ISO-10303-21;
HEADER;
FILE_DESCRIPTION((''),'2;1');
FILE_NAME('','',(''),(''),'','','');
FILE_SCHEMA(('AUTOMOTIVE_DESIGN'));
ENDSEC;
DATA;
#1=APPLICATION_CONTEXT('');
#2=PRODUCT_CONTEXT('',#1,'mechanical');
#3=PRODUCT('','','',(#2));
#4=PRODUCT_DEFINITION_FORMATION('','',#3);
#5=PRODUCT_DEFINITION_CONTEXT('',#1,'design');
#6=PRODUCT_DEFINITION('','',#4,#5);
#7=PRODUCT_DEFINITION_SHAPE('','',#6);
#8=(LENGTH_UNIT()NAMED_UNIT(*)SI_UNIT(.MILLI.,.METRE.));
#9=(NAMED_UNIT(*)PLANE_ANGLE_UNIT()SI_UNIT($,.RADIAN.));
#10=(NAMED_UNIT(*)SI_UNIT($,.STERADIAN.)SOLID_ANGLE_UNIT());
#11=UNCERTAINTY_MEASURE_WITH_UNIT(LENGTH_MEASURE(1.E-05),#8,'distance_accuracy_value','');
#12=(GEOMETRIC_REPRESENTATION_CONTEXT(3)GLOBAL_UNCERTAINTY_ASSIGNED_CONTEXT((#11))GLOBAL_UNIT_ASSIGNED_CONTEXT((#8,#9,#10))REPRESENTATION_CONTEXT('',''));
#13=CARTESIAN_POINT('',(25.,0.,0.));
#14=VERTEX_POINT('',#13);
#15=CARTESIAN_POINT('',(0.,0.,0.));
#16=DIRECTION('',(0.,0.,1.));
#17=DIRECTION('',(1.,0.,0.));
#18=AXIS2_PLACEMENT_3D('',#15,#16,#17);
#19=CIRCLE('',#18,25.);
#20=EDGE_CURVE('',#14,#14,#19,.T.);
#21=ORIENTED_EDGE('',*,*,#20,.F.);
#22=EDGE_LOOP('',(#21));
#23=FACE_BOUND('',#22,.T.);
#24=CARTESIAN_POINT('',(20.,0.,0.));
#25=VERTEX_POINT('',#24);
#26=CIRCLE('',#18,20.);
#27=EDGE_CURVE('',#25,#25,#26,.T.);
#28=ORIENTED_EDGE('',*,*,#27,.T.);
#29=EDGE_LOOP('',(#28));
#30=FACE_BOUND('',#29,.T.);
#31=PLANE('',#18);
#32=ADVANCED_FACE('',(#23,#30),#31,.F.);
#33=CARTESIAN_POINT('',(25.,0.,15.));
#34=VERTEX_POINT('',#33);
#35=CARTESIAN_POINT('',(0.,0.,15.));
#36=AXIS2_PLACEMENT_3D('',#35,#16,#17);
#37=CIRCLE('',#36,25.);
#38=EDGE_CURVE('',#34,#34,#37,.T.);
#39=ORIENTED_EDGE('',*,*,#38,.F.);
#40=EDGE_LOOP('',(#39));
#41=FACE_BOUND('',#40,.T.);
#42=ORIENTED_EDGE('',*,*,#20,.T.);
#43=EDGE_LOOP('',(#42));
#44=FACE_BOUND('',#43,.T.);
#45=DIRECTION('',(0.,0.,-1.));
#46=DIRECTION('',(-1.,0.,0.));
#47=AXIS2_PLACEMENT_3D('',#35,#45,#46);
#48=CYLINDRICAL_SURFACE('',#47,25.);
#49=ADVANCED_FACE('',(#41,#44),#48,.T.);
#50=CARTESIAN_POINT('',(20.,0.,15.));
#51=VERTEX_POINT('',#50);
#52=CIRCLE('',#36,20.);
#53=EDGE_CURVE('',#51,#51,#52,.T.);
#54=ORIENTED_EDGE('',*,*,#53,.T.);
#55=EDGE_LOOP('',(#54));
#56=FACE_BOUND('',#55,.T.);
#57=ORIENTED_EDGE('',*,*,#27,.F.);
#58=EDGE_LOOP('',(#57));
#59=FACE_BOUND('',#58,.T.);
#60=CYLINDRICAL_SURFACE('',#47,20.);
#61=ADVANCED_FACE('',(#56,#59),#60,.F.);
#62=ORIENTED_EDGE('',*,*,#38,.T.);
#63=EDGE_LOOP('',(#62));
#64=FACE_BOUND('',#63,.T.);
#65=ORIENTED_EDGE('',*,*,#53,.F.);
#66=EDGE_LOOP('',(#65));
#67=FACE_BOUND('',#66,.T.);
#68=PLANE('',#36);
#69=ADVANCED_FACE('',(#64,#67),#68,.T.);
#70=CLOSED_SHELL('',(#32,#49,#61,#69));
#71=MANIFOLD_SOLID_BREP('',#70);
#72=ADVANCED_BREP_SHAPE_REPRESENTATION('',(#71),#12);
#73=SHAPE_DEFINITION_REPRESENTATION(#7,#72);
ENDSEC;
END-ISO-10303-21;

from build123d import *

# Parameters (mm, degrees)
SKETCH1_R           = 25
SKETCH1_R_2         = 20
BOSS_EXTRUDE1_DEPTH = 15


with BuildPart() as part:
    # Sketch1 → Boss-Extrude1 (new body)
    with BuildSketch(Plane.XY):
        Circle(SKETCH1_R)
        Circle(SKETCH1_R_2, mode=Mode.SUBTRACT)
    extrude(amount=BOSS_EXTRUDE1_DEPTH)


solid = part.part
